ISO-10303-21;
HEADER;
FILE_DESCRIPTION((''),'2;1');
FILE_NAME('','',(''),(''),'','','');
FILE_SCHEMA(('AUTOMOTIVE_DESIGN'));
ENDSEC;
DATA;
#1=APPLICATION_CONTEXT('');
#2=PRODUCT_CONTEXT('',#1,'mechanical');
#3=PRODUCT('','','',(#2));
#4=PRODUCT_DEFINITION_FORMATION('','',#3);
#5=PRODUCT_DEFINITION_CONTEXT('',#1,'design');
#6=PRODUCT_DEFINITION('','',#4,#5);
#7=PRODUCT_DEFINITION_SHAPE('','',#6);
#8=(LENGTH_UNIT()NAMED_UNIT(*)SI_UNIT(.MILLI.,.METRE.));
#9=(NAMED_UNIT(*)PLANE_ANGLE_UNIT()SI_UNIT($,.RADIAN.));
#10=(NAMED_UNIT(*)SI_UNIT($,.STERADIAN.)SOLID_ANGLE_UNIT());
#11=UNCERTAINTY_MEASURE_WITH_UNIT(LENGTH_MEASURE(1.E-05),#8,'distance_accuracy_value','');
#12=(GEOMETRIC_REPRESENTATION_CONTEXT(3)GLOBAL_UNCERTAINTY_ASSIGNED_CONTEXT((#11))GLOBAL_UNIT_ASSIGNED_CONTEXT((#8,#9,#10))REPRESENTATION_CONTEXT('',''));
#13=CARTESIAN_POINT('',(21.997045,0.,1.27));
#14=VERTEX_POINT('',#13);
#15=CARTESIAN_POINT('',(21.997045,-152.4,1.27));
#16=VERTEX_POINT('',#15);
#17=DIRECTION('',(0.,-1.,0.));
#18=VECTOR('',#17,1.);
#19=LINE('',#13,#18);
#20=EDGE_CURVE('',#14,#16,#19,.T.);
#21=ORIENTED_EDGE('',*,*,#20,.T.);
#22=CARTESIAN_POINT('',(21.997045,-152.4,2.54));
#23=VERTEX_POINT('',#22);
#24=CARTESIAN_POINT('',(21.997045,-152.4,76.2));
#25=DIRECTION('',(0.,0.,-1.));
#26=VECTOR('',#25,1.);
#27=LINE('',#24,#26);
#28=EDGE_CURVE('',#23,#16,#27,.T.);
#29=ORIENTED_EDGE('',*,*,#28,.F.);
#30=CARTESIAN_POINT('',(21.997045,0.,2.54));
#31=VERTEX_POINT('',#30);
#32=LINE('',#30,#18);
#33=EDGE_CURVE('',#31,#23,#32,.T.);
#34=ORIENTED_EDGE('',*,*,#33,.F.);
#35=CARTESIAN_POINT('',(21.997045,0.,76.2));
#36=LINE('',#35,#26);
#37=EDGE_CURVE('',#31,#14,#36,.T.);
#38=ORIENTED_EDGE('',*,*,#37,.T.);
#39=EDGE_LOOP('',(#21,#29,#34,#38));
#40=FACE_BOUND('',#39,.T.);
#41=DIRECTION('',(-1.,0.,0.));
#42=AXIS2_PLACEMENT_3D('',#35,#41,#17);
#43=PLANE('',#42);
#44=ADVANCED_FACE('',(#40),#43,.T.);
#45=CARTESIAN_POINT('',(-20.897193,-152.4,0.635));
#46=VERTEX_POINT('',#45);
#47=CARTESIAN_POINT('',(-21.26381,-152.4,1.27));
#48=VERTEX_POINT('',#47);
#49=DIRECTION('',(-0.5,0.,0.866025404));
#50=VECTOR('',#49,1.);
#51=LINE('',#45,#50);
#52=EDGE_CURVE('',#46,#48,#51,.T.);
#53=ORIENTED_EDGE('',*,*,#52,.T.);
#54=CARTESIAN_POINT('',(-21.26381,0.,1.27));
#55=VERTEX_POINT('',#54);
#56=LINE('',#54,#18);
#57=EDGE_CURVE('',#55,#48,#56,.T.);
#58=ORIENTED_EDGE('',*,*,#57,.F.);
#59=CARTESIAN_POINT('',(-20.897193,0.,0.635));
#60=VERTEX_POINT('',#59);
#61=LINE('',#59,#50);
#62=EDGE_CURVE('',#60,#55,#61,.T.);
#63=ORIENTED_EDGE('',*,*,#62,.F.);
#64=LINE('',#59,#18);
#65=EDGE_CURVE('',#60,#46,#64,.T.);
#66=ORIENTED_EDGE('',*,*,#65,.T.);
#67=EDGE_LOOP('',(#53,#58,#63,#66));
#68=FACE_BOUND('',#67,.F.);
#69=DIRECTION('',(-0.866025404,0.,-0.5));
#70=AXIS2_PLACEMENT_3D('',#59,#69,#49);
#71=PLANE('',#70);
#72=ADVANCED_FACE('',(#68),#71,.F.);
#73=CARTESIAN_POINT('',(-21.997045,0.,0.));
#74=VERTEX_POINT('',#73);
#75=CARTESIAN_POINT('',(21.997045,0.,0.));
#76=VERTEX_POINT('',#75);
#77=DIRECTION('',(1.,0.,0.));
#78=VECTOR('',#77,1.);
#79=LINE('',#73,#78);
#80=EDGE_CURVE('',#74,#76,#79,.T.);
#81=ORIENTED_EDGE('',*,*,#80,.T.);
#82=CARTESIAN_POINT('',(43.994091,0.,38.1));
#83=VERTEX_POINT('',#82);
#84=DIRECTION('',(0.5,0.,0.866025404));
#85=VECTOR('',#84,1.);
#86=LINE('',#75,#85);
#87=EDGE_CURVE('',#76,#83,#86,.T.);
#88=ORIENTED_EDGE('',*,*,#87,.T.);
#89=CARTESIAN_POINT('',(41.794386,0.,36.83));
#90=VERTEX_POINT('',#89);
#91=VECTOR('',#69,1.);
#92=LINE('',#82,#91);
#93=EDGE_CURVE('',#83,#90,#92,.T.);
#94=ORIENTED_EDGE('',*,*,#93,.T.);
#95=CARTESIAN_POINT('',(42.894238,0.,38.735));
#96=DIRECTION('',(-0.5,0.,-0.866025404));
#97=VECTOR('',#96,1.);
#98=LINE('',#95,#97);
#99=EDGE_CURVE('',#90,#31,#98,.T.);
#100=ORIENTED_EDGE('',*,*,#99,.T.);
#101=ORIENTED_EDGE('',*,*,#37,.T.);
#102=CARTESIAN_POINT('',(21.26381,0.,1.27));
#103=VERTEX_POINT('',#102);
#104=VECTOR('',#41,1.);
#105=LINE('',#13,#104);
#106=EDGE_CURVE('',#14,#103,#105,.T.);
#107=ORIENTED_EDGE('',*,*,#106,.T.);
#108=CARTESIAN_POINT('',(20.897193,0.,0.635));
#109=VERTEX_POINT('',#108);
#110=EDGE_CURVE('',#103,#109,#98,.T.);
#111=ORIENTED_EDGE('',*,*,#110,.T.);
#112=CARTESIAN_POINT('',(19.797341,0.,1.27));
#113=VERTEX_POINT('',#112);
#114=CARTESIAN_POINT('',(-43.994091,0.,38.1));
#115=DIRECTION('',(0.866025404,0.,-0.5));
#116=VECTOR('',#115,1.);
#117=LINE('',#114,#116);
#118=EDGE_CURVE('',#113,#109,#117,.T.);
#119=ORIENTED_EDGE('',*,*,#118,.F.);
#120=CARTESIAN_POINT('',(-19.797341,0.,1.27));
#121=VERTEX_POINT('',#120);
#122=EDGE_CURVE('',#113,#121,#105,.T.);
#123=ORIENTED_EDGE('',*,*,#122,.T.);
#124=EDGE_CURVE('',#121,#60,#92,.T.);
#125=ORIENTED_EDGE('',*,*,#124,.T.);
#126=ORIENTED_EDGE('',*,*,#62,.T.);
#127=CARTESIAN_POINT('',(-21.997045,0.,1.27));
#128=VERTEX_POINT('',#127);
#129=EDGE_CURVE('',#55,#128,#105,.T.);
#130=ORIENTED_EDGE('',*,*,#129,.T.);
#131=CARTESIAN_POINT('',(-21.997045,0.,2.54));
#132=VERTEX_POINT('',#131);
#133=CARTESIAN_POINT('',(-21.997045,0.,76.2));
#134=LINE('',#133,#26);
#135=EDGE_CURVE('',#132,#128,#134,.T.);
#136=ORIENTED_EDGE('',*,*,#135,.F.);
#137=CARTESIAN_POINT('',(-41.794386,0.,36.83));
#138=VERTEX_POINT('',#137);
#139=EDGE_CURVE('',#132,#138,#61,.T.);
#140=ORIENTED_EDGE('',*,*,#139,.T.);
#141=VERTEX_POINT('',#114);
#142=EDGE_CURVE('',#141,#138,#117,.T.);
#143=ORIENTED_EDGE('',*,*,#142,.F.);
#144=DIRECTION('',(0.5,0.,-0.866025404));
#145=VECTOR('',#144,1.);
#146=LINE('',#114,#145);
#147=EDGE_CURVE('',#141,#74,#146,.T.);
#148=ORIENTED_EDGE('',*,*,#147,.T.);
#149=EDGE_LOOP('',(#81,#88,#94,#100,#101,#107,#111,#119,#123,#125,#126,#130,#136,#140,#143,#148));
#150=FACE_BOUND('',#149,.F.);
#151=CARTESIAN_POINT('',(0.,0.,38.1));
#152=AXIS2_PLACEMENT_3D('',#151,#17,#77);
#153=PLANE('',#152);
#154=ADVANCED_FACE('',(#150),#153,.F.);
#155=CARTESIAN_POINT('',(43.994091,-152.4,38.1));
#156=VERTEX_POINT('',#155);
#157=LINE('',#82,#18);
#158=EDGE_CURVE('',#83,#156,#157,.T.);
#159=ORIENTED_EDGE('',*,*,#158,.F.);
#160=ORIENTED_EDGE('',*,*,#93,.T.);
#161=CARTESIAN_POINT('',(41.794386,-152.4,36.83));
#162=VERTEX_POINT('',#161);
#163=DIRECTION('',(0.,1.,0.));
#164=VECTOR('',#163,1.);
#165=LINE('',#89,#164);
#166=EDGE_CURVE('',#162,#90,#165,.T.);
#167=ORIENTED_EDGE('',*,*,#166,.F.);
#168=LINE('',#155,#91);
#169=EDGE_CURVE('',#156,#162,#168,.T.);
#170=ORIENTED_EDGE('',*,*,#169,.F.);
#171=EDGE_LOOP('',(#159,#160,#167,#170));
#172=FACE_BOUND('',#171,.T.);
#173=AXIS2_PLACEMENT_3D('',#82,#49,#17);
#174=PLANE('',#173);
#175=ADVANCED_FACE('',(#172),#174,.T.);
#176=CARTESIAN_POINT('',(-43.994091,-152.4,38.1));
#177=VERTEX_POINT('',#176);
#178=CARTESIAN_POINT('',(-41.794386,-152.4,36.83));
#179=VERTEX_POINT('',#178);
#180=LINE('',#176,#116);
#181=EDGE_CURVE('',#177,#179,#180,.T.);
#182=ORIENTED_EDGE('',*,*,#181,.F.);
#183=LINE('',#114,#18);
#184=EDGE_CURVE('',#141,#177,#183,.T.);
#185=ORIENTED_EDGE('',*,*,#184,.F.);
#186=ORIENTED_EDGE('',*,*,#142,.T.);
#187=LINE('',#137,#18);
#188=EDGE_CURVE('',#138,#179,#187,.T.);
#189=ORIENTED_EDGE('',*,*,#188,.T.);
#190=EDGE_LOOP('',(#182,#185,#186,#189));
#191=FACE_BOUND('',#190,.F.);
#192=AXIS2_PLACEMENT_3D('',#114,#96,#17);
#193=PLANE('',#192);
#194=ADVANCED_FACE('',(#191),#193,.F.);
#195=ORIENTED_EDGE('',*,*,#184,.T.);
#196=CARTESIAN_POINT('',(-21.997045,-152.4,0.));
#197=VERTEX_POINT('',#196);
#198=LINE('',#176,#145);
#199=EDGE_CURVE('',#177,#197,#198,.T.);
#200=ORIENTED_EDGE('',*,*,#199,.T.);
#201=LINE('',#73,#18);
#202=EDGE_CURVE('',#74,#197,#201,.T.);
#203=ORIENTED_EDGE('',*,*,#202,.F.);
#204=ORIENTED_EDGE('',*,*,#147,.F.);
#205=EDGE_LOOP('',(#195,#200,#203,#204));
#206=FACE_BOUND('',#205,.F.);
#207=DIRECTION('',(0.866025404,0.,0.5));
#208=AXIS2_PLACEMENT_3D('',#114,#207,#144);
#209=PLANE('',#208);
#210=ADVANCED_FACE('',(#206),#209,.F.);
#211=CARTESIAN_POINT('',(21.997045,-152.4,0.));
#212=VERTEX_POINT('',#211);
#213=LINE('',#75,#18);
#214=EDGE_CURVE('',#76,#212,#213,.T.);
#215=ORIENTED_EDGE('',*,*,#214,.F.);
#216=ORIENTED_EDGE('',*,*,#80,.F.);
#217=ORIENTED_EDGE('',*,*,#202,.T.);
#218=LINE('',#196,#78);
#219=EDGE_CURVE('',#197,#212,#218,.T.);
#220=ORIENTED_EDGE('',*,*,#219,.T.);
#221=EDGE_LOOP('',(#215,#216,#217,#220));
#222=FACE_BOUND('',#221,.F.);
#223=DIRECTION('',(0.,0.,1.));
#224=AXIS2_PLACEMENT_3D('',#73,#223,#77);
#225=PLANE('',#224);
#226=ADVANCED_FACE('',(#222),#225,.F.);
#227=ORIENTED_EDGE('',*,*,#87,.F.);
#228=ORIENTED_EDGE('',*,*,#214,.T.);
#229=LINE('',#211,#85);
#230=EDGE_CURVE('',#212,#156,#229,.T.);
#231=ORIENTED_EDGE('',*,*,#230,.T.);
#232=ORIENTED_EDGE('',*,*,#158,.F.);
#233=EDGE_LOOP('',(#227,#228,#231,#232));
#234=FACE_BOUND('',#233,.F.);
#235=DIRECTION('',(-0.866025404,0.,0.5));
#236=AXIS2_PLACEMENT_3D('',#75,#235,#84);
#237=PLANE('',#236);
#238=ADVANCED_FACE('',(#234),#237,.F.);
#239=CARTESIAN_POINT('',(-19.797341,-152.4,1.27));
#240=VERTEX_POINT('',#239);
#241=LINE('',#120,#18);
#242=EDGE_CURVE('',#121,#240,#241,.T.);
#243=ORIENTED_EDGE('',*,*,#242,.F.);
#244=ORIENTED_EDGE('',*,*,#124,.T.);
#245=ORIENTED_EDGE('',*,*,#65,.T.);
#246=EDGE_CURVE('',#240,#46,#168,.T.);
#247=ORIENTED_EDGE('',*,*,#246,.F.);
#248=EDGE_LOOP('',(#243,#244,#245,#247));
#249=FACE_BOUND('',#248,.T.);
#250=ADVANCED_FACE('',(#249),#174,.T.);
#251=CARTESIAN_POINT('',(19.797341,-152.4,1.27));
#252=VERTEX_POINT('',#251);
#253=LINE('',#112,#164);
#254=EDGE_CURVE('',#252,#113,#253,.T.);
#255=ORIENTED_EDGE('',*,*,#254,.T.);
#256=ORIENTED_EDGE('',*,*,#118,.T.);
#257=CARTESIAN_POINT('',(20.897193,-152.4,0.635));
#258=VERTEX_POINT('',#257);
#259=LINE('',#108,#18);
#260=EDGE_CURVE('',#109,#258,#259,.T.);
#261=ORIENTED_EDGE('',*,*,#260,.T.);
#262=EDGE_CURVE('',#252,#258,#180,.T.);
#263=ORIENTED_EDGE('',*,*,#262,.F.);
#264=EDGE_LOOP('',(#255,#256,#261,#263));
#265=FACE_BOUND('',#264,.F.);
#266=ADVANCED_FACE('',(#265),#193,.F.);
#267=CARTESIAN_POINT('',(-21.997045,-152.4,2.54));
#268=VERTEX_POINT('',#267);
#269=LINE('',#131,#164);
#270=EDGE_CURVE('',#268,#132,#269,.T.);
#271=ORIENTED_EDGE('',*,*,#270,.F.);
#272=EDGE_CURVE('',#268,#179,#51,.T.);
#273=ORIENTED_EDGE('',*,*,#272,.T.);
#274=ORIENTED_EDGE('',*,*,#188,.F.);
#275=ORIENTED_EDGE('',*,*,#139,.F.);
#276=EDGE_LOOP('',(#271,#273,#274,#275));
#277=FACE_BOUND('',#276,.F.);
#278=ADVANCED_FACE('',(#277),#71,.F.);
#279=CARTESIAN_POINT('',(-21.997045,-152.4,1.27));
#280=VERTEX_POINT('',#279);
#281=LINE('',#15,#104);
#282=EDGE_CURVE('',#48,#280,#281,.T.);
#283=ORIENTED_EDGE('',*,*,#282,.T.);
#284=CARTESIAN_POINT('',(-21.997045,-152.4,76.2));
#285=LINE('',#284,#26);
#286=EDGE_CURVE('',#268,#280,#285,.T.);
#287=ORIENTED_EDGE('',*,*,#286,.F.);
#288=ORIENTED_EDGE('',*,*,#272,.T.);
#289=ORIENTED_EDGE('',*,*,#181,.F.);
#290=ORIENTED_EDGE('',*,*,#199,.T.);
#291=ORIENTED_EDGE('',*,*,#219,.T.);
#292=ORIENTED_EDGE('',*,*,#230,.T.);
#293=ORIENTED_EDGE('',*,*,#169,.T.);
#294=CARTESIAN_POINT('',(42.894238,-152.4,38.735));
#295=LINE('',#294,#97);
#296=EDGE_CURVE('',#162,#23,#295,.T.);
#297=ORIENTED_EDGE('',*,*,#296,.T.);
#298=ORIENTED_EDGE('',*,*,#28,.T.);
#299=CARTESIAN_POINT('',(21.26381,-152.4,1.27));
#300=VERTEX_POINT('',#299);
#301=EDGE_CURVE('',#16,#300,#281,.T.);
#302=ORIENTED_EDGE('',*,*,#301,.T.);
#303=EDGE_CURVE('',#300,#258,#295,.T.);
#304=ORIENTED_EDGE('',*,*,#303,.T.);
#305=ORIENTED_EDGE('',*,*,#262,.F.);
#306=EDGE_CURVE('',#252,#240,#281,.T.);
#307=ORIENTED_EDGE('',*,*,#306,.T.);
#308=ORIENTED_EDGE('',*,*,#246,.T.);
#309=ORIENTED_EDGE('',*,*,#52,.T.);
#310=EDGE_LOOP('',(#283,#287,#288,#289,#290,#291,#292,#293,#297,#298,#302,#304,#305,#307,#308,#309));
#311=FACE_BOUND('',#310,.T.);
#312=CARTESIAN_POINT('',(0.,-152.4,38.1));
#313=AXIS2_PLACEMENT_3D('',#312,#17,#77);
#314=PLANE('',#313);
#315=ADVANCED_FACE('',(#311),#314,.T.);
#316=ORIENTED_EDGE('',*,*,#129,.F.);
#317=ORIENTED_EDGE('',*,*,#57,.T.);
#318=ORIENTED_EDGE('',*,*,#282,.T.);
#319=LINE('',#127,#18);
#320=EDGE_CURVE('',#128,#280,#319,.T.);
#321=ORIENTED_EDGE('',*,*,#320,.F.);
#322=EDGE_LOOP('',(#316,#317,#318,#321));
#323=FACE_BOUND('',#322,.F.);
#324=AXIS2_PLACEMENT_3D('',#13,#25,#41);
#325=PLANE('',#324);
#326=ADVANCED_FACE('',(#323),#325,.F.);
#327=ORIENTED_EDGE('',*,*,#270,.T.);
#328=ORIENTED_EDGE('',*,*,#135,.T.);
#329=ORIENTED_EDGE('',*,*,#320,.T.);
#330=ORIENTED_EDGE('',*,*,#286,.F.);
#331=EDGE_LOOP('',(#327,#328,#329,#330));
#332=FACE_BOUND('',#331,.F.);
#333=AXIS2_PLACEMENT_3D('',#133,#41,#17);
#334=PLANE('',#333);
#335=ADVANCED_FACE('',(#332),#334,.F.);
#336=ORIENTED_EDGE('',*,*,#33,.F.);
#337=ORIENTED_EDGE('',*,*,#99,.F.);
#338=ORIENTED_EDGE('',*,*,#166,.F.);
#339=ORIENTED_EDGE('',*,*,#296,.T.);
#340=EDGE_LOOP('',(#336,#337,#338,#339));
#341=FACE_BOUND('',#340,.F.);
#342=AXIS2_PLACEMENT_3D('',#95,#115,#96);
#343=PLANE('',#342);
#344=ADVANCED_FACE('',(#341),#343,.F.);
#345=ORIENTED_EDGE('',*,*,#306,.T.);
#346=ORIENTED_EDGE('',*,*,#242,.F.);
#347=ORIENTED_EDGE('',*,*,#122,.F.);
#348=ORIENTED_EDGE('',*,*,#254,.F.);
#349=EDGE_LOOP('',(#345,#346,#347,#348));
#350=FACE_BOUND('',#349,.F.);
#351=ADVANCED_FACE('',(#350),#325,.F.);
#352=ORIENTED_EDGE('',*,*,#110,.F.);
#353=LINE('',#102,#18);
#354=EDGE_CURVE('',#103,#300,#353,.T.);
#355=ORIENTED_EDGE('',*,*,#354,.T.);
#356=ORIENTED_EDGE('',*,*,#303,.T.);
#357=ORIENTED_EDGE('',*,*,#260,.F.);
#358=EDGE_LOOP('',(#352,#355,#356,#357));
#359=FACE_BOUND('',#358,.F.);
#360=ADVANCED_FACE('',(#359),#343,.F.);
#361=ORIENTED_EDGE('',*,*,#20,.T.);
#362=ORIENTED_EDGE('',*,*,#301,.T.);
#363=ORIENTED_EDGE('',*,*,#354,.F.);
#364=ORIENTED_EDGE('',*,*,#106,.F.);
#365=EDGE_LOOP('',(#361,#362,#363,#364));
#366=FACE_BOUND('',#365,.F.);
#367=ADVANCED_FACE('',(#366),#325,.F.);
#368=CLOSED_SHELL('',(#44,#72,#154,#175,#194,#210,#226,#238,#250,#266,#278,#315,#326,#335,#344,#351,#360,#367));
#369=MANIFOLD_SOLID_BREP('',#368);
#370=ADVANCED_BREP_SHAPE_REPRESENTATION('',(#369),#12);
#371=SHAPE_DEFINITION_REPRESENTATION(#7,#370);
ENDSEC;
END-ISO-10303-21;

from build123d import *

# Parameters (mm, degrees)
F1_DEPTH = 152.4
F2_DEPTH = 74.93
F3_DEPTH = 74.93
F4_DEPTH = 74.93


with BuildPart() as f1:
    # F0 (on Front) → F1 (new body)
    with BuildSketch(Plane.XZ):
        Polygon((43.9940905122, 38.1), (21.9970452561, 76.2), (-21.9970452561, 76.2), (-43.9940905122, 38.1), (-21.9970452561, 0), (21.9970452561, 0), align=None)
    extrude(amount=F1_DEPTH)

    # F2 (cut): a face of the model
    f2_faces = [f1.faces().sort_by_distance(p)[0] for p in [
        (32.9955678842, -76.2, 57.15),
    ]]
    extrude(f2_faces, amount=-F2_DEPTH, mode=Mode.SUBTRACT)

    # F3 (cut): a face of the model
    f3_faces = [f1.faces().sort_by_distance(p)[0] for p in [
        (0, -76.2, 76.2),
    ]]
    extrude(f3_faces, amount=-F3_DEPTH, mode=Mode.SUBTRACT)

    # F4 (cut): a face of the model
    f4_faces = [f1.faces().sort_by_distance(p)[0] for p in [
        (-32.9955678842, -76.2, 57.15),
    ]]
    extrude(f4_faces, amount=-F4_DEPTH, mode=Mode.SUBTRACT)


solid = f1.part
